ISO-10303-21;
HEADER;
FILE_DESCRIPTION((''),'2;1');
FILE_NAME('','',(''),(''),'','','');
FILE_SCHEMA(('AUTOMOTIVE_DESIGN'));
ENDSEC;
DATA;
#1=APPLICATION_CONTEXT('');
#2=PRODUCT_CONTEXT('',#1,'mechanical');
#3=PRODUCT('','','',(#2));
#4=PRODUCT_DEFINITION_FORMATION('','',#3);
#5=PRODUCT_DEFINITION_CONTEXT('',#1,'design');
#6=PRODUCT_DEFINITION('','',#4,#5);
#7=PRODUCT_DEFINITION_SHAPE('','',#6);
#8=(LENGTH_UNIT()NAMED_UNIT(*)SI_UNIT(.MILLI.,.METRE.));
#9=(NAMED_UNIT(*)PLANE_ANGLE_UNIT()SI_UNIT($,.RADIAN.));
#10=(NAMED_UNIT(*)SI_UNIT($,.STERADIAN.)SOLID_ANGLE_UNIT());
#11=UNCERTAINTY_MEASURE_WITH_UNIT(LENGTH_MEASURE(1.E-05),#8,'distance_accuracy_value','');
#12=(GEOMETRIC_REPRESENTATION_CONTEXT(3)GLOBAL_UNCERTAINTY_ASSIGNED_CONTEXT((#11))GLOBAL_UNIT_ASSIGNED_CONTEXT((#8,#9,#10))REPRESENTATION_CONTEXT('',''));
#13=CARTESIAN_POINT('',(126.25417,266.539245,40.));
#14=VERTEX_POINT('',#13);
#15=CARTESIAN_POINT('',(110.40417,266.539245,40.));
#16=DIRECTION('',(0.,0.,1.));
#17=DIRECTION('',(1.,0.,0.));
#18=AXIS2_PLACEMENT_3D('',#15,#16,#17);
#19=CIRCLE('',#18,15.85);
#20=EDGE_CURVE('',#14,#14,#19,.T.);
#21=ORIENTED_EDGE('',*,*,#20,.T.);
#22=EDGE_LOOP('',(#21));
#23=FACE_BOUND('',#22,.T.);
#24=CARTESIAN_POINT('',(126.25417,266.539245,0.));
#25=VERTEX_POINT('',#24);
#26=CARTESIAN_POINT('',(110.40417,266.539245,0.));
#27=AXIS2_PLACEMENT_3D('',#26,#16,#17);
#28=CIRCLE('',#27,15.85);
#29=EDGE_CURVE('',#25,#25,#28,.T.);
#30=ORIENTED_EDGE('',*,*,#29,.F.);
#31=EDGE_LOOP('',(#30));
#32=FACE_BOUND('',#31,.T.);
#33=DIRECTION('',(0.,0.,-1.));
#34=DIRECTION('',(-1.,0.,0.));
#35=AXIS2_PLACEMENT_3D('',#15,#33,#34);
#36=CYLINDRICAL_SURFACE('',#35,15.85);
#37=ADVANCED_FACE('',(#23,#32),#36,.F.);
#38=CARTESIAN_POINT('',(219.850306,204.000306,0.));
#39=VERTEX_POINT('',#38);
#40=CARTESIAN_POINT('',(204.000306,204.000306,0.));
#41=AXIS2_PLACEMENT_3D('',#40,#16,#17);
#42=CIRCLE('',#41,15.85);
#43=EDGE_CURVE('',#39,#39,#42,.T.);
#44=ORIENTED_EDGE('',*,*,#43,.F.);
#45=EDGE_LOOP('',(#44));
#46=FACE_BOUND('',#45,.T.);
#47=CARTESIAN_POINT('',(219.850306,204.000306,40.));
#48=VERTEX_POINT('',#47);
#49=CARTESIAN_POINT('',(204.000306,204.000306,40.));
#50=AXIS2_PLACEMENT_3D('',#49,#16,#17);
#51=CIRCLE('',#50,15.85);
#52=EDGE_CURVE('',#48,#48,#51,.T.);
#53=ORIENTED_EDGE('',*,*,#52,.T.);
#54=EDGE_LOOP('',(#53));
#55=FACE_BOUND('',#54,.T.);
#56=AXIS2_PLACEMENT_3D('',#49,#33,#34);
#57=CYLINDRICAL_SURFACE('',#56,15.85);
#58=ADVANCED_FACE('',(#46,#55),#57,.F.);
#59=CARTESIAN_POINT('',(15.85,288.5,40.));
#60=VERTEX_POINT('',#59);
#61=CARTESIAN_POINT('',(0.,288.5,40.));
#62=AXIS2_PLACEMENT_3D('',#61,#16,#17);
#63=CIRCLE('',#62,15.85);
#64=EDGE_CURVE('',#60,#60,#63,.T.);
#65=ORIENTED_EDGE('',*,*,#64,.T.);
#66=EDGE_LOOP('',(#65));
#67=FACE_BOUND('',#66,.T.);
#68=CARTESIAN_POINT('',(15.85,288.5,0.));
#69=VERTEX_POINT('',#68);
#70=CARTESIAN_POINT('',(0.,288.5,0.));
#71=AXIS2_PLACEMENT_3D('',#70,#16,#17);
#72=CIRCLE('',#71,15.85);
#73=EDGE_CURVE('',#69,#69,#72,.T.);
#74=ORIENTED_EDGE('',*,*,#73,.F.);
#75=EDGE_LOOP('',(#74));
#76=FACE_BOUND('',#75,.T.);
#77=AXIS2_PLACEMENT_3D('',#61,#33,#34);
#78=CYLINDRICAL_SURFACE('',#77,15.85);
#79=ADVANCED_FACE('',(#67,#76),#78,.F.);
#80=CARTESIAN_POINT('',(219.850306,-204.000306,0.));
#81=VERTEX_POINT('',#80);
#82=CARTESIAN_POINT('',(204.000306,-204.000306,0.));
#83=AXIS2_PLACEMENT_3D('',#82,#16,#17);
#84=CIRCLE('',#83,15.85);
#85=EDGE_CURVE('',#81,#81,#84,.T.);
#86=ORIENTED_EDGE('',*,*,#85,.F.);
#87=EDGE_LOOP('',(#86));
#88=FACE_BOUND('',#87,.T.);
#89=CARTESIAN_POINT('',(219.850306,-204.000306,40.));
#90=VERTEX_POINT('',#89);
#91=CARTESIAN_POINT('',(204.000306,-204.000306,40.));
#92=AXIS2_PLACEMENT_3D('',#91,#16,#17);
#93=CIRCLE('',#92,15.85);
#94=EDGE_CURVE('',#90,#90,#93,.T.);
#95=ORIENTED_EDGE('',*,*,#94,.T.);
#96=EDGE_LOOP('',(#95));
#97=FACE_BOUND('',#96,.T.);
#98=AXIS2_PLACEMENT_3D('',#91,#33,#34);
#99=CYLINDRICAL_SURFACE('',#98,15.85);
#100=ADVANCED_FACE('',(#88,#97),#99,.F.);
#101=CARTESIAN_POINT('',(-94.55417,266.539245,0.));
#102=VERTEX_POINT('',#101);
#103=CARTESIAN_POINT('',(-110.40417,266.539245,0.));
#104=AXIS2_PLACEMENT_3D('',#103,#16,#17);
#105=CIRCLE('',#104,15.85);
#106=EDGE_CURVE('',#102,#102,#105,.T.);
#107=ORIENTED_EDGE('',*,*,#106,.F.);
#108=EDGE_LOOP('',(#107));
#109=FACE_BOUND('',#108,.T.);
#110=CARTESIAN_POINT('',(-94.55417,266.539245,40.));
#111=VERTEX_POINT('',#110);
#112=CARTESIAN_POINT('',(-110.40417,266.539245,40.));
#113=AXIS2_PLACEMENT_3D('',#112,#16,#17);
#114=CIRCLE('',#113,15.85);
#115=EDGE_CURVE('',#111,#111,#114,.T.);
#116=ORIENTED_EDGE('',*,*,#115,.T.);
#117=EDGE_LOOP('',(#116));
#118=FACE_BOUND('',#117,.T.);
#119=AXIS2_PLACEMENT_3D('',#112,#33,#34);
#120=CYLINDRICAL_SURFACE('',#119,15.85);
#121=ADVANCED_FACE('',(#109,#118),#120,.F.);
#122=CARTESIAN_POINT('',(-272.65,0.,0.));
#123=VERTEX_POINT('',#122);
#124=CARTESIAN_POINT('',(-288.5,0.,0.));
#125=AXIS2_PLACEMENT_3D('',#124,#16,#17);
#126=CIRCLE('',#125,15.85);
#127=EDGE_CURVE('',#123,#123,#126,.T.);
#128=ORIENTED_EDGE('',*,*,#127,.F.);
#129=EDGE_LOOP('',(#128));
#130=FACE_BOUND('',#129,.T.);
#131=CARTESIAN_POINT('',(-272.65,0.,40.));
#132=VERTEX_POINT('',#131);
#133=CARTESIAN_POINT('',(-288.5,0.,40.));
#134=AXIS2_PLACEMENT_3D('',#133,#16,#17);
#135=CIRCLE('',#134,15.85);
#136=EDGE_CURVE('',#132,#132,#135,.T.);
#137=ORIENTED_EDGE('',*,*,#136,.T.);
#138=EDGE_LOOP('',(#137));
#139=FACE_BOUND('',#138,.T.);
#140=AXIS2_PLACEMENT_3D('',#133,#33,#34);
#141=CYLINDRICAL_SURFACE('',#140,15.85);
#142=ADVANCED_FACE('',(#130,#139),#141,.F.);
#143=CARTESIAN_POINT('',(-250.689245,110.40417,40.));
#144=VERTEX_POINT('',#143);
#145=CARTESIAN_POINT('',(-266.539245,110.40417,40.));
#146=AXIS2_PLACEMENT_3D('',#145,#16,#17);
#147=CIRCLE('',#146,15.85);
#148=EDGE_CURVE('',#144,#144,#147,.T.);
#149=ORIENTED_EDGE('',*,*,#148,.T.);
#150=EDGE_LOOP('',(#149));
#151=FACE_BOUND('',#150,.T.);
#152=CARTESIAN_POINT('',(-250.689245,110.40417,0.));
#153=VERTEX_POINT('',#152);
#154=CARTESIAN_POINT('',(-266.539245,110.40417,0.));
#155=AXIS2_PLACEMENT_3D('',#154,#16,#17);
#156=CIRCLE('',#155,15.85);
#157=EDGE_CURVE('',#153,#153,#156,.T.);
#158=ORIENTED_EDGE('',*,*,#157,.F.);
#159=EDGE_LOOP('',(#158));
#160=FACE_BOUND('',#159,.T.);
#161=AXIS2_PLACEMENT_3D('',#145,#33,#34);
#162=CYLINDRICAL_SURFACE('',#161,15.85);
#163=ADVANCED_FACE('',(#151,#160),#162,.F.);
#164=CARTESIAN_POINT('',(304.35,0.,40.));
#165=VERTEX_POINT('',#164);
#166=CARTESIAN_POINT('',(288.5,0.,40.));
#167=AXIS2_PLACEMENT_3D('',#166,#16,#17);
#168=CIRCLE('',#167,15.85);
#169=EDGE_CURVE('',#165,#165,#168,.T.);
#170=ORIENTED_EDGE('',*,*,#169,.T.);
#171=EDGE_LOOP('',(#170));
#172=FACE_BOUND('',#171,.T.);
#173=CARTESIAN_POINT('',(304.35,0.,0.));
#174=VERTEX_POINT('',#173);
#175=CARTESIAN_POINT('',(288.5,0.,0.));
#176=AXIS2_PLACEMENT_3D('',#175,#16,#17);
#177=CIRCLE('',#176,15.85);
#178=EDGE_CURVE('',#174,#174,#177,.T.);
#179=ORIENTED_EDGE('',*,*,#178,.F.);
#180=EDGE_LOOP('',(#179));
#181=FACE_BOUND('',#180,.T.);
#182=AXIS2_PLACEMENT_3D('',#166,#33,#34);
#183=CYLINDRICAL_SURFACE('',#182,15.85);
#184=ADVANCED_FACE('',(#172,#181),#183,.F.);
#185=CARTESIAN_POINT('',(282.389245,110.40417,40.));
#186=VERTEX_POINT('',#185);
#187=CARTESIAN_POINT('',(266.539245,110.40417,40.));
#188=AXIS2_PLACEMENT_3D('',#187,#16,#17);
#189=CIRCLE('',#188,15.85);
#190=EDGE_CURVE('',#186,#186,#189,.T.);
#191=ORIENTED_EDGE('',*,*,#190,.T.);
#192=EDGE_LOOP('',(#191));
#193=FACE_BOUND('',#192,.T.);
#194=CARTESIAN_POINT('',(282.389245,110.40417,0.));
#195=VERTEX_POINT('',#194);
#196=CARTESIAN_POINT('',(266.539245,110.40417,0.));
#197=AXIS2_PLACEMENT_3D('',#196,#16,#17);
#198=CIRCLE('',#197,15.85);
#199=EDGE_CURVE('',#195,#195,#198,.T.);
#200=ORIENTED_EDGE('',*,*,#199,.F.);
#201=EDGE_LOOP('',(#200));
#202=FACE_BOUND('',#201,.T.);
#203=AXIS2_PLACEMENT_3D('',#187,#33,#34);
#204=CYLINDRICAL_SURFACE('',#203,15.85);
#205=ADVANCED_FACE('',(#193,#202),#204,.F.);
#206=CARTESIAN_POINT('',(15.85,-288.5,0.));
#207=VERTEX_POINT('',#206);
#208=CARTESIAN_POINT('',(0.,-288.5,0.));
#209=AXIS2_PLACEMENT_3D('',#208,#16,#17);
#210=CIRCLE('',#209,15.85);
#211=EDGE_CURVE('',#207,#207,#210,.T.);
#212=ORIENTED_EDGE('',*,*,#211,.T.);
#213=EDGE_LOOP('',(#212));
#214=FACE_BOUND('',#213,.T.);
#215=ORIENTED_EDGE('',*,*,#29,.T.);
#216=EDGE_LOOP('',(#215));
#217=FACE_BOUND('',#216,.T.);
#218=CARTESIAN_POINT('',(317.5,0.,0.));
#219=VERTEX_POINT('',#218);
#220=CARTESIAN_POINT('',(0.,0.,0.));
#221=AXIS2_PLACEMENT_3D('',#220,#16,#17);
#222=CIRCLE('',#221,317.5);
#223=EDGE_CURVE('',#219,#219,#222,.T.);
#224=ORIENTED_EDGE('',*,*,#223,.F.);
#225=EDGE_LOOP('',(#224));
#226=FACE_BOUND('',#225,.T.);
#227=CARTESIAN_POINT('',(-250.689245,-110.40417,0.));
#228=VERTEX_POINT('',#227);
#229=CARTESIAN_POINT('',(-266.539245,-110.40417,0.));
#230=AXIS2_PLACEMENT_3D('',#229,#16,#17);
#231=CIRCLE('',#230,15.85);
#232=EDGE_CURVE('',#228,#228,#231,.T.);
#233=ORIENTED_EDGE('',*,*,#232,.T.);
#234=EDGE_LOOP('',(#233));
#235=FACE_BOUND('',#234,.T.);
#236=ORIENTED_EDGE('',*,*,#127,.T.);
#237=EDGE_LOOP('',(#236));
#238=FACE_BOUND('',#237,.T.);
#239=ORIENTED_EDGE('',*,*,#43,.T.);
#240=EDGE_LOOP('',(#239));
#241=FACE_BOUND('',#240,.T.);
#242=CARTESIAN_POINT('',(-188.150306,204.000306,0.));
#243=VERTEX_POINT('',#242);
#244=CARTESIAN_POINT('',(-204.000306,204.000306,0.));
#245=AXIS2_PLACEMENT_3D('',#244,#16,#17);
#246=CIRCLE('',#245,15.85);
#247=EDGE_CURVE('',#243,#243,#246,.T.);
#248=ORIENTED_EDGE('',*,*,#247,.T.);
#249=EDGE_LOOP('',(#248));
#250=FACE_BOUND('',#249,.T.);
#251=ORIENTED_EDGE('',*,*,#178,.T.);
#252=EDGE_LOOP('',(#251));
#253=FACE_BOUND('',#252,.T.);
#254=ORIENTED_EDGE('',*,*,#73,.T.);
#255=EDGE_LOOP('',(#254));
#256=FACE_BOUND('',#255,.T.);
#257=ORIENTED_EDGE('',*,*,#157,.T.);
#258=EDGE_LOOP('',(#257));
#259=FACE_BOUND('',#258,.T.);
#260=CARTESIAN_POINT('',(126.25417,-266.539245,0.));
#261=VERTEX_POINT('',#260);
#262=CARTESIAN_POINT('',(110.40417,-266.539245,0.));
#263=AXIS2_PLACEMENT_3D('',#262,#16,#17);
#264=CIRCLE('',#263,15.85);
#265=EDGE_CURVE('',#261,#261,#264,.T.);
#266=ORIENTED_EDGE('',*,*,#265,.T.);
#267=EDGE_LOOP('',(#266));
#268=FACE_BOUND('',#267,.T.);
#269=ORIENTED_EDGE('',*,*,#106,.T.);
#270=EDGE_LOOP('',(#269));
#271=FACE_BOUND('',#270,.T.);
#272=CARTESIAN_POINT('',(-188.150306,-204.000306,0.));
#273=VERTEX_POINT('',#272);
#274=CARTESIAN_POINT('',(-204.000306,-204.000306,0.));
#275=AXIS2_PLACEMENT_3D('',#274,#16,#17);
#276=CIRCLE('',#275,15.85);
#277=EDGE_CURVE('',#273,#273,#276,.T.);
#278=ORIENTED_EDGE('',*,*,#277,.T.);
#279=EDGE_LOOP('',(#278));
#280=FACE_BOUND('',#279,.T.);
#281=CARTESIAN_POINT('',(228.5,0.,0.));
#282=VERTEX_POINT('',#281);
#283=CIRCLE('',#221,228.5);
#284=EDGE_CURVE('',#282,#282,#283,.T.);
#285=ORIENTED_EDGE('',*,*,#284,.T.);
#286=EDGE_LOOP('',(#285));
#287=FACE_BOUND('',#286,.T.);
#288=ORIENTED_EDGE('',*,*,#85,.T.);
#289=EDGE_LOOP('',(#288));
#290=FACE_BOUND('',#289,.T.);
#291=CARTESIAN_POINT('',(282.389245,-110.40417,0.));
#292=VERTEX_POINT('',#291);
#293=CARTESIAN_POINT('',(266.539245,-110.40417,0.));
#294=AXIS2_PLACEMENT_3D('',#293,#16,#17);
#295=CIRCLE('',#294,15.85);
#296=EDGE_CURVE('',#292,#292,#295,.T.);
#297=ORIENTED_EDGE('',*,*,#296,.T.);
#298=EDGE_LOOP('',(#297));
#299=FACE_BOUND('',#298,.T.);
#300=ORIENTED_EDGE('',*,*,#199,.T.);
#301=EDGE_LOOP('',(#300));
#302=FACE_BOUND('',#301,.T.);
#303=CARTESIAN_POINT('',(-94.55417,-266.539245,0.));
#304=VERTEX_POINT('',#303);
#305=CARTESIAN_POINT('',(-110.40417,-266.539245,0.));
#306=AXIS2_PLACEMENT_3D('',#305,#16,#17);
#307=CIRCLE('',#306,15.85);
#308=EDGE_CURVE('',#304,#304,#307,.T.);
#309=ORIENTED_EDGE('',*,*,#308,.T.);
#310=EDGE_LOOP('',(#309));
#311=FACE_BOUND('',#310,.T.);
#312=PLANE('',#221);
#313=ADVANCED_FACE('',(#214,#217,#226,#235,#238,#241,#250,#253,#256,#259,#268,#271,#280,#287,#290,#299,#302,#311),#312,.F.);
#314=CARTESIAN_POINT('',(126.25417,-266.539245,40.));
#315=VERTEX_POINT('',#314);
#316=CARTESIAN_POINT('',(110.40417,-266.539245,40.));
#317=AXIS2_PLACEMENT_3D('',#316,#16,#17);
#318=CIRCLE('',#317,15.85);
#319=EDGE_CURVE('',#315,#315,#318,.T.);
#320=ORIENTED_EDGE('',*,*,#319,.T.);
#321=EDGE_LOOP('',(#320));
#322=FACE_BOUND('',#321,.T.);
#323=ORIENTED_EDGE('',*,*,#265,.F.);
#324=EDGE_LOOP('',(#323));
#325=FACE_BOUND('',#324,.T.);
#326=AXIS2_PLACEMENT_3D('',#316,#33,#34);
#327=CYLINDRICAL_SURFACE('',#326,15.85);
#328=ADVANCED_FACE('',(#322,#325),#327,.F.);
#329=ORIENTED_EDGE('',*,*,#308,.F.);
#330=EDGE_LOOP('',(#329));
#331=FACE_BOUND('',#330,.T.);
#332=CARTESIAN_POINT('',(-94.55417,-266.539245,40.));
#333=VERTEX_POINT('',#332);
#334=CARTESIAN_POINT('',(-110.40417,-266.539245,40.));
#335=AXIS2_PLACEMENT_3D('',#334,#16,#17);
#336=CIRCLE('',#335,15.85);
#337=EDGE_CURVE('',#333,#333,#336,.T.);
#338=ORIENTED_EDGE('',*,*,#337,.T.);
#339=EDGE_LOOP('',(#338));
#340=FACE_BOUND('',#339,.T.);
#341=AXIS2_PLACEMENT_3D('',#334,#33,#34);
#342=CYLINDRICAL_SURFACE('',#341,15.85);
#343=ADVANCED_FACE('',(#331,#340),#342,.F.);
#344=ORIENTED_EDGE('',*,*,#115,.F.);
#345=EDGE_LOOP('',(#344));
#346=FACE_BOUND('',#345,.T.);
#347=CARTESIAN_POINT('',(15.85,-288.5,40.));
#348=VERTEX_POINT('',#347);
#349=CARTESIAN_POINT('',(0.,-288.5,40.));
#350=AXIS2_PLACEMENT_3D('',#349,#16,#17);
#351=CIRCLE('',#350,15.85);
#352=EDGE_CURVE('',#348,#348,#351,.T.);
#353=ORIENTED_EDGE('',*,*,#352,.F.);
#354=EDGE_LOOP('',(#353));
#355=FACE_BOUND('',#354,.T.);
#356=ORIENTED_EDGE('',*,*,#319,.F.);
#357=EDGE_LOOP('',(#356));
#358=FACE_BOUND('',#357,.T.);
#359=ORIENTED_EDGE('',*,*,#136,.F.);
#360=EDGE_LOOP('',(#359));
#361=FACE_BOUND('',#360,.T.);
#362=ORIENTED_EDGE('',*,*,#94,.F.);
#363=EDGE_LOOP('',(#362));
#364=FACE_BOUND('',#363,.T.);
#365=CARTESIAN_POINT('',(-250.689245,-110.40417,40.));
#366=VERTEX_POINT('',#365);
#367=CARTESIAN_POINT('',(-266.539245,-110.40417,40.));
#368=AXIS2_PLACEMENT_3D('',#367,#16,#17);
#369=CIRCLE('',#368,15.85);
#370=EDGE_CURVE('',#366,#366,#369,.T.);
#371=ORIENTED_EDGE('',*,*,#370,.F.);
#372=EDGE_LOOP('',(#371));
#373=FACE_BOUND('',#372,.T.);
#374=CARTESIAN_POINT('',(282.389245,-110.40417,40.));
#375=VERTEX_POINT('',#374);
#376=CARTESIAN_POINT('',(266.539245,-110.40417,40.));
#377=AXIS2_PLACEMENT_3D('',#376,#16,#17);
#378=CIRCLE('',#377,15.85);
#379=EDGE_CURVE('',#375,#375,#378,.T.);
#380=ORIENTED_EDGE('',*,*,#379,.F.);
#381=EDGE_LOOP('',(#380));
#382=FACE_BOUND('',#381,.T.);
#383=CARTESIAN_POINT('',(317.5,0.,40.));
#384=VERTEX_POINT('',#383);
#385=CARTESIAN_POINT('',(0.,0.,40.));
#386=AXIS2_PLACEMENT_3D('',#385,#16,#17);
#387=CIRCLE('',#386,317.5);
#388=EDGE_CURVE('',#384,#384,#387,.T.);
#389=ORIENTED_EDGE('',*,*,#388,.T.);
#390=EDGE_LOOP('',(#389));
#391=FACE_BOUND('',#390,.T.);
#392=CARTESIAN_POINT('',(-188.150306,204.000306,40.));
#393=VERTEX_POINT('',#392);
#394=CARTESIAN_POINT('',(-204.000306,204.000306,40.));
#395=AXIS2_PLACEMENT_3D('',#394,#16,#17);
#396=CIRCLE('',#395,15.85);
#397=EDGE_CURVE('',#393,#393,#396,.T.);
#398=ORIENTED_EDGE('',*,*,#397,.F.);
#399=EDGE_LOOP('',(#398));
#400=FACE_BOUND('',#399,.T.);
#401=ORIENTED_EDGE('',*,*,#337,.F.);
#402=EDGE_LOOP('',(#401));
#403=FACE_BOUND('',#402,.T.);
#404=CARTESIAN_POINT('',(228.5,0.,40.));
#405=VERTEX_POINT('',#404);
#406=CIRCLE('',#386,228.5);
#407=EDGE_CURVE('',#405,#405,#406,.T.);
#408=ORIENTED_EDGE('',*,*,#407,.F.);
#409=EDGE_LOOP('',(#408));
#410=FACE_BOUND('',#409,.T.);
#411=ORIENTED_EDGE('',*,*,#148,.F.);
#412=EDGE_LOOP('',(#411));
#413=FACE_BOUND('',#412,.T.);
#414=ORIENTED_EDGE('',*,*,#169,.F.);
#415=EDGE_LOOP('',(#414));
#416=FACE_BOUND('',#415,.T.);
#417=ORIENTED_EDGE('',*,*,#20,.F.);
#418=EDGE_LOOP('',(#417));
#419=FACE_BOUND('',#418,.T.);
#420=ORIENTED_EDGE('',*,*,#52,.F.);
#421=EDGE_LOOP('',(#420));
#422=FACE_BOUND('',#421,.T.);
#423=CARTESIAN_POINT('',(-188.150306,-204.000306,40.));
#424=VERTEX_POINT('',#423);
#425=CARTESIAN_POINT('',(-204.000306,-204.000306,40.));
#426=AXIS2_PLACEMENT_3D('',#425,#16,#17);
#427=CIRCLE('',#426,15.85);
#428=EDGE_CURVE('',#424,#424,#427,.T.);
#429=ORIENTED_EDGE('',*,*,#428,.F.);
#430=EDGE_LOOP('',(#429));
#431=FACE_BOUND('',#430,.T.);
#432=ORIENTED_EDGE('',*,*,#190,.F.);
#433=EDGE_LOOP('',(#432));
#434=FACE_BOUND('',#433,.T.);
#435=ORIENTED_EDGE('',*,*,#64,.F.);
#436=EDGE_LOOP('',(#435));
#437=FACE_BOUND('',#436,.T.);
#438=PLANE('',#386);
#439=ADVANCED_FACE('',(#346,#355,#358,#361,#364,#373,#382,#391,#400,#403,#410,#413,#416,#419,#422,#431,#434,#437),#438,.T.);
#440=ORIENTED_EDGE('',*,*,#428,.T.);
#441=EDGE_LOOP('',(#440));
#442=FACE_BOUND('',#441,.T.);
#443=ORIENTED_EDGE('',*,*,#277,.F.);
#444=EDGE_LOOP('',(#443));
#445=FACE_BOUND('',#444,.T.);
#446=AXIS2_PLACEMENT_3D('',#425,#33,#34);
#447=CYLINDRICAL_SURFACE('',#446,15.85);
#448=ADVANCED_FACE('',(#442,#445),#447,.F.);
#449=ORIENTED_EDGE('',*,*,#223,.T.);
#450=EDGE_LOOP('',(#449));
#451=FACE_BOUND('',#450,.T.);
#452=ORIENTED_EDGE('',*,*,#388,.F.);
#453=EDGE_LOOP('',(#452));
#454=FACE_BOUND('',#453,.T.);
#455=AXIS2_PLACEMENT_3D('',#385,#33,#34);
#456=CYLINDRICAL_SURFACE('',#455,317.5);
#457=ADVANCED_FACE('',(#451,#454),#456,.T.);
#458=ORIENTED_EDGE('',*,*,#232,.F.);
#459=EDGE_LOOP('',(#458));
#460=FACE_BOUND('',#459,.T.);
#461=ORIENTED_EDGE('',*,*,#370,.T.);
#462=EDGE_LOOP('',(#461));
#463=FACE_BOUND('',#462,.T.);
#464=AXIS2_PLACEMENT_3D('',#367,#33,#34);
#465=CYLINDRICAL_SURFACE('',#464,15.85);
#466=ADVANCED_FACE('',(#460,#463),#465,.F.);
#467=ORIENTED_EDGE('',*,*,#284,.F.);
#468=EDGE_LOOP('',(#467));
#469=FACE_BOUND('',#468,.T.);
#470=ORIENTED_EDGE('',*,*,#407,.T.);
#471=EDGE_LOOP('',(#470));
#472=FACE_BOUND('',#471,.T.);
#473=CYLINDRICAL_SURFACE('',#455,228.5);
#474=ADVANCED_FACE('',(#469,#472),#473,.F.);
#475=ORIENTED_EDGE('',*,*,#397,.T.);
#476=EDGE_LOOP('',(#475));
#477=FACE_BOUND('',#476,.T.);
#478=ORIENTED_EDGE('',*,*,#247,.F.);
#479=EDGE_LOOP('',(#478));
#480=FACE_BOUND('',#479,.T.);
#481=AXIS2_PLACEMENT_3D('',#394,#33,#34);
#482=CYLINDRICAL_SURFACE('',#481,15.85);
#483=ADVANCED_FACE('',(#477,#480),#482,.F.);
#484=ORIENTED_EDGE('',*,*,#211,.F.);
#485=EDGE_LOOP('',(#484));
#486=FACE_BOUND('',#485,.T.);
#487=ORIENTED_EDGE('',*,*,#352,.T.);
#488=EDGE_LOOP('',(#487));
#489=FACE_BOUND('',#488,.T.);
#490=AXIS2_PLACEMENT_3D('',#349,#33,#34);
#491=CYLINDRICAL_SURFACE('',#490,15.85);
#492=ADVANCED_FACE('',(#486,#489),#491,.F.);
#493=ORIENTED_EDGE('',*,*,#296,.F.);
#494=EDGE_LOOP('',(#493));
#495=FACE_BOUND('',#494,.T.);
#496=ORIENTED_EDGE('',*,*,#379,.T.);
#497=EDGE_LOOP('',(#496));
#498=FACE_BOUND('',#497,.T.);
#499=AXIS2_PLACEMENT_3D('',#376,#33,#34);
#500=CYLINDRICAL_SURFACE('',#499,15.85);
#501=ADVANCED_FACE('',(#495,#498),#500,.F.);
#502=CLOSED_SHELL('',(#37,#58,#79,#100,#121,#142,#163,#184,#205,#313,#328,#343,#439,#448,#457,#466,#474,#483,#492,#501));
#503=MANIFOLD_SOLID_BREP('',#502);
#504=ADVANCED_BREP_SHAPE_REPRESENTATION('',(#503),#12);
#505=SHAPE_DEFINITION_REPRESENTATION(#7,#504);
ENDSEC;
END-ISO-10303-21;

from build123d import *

# Parameters (mm, degrees)
SKETCH11_R          = 317.5
SKETCH11_R_2        = 228.5
SKETCH11_R_3        = 15.85
BOSS_EXTRUDE1_DEPTH = 40


with BuildPart() as part:
    # Sketch11 → Boss-Extrude1 (new body)
    with BuildSketch(Plane.XY):
        Circle(SKETCH11_R)
        Circle(SKETCH11_R_2, mode=Mode.SUBTRACT)
        with Locations((0, 288.5)):
            Circle(SKETCH11_R_3, mode=Mode.SUBTRACT)
        with Locations((110.404170237, 266.53924513)):
            Circle(SKETCH11_R_3, mode=Mode.SUBTRACT)
        with Locations((204.000306372, 204.000306372)):
            Circle(SKETCH11_R_3, mode=Mode.SUBTRACT)
        with Locations((266.53924513, 110.404170237)):
            Circle(SKETCH11_R_3, mode=Mode.SUBTRACT)
        with Locations((288.5, 0)):
            Circle(SKETCH11_R_3, mode=Mode.SUBTRACT)
        with Locations((266.53924513, -110.404170237)):
            Circle(SKETCH11_R_3, mode=Mode.SUBTRACT)
        with Locations((204.000306372, -204.000306372)):
            Circle(SKETCH11_R_3, mode=Mode.SUBTRACT)
        with Locations((110.404170237, -266.53924513)):
            Circle(SKETCH11_R_3, mode=Mode.SUBTRACT)
        with Locations((0, -288.5)):
            Circle(SKETCH11_R_3, mode=Mode.SUBTRACT)
        with Locations((-110.404170237, -266.53924513)):
            Circle(SKETCH11_R_3, mode=Mode.SUBTRACT)
        with Locations((-204.000306372, -204.000306372)):
            Circle(SKETCH11_R_3, mode=Mode.SUBTRACT)
        with Locations((-266.53924513, -110.404170237)):
            Circle(SKETCH11_R_3, mode=Mode.SUBTRACT)
        with Locations((-288.5, 0)):
            Circle(SKETCH11_R_3, mode=Mode.SUBTRACT)
        with Locations((-266.53924513, 110.404170237)):
            Circle(SKETCH11_R_3, mode=Mode.SUBTRACT)
        with Locations((-204.000306372, 204.000306372)):
            Circle(SKETCH11_R_3, mode=Mode.SUBTRACT)
        with Locations((-110.404170237, 266.53924513)):
            Circle(SKETCH11_R_3, mode=Mode.SUBTRACT)
    extrude(amount=BOSS_EXTRUDE1_DEPTH)


solid = part.part
